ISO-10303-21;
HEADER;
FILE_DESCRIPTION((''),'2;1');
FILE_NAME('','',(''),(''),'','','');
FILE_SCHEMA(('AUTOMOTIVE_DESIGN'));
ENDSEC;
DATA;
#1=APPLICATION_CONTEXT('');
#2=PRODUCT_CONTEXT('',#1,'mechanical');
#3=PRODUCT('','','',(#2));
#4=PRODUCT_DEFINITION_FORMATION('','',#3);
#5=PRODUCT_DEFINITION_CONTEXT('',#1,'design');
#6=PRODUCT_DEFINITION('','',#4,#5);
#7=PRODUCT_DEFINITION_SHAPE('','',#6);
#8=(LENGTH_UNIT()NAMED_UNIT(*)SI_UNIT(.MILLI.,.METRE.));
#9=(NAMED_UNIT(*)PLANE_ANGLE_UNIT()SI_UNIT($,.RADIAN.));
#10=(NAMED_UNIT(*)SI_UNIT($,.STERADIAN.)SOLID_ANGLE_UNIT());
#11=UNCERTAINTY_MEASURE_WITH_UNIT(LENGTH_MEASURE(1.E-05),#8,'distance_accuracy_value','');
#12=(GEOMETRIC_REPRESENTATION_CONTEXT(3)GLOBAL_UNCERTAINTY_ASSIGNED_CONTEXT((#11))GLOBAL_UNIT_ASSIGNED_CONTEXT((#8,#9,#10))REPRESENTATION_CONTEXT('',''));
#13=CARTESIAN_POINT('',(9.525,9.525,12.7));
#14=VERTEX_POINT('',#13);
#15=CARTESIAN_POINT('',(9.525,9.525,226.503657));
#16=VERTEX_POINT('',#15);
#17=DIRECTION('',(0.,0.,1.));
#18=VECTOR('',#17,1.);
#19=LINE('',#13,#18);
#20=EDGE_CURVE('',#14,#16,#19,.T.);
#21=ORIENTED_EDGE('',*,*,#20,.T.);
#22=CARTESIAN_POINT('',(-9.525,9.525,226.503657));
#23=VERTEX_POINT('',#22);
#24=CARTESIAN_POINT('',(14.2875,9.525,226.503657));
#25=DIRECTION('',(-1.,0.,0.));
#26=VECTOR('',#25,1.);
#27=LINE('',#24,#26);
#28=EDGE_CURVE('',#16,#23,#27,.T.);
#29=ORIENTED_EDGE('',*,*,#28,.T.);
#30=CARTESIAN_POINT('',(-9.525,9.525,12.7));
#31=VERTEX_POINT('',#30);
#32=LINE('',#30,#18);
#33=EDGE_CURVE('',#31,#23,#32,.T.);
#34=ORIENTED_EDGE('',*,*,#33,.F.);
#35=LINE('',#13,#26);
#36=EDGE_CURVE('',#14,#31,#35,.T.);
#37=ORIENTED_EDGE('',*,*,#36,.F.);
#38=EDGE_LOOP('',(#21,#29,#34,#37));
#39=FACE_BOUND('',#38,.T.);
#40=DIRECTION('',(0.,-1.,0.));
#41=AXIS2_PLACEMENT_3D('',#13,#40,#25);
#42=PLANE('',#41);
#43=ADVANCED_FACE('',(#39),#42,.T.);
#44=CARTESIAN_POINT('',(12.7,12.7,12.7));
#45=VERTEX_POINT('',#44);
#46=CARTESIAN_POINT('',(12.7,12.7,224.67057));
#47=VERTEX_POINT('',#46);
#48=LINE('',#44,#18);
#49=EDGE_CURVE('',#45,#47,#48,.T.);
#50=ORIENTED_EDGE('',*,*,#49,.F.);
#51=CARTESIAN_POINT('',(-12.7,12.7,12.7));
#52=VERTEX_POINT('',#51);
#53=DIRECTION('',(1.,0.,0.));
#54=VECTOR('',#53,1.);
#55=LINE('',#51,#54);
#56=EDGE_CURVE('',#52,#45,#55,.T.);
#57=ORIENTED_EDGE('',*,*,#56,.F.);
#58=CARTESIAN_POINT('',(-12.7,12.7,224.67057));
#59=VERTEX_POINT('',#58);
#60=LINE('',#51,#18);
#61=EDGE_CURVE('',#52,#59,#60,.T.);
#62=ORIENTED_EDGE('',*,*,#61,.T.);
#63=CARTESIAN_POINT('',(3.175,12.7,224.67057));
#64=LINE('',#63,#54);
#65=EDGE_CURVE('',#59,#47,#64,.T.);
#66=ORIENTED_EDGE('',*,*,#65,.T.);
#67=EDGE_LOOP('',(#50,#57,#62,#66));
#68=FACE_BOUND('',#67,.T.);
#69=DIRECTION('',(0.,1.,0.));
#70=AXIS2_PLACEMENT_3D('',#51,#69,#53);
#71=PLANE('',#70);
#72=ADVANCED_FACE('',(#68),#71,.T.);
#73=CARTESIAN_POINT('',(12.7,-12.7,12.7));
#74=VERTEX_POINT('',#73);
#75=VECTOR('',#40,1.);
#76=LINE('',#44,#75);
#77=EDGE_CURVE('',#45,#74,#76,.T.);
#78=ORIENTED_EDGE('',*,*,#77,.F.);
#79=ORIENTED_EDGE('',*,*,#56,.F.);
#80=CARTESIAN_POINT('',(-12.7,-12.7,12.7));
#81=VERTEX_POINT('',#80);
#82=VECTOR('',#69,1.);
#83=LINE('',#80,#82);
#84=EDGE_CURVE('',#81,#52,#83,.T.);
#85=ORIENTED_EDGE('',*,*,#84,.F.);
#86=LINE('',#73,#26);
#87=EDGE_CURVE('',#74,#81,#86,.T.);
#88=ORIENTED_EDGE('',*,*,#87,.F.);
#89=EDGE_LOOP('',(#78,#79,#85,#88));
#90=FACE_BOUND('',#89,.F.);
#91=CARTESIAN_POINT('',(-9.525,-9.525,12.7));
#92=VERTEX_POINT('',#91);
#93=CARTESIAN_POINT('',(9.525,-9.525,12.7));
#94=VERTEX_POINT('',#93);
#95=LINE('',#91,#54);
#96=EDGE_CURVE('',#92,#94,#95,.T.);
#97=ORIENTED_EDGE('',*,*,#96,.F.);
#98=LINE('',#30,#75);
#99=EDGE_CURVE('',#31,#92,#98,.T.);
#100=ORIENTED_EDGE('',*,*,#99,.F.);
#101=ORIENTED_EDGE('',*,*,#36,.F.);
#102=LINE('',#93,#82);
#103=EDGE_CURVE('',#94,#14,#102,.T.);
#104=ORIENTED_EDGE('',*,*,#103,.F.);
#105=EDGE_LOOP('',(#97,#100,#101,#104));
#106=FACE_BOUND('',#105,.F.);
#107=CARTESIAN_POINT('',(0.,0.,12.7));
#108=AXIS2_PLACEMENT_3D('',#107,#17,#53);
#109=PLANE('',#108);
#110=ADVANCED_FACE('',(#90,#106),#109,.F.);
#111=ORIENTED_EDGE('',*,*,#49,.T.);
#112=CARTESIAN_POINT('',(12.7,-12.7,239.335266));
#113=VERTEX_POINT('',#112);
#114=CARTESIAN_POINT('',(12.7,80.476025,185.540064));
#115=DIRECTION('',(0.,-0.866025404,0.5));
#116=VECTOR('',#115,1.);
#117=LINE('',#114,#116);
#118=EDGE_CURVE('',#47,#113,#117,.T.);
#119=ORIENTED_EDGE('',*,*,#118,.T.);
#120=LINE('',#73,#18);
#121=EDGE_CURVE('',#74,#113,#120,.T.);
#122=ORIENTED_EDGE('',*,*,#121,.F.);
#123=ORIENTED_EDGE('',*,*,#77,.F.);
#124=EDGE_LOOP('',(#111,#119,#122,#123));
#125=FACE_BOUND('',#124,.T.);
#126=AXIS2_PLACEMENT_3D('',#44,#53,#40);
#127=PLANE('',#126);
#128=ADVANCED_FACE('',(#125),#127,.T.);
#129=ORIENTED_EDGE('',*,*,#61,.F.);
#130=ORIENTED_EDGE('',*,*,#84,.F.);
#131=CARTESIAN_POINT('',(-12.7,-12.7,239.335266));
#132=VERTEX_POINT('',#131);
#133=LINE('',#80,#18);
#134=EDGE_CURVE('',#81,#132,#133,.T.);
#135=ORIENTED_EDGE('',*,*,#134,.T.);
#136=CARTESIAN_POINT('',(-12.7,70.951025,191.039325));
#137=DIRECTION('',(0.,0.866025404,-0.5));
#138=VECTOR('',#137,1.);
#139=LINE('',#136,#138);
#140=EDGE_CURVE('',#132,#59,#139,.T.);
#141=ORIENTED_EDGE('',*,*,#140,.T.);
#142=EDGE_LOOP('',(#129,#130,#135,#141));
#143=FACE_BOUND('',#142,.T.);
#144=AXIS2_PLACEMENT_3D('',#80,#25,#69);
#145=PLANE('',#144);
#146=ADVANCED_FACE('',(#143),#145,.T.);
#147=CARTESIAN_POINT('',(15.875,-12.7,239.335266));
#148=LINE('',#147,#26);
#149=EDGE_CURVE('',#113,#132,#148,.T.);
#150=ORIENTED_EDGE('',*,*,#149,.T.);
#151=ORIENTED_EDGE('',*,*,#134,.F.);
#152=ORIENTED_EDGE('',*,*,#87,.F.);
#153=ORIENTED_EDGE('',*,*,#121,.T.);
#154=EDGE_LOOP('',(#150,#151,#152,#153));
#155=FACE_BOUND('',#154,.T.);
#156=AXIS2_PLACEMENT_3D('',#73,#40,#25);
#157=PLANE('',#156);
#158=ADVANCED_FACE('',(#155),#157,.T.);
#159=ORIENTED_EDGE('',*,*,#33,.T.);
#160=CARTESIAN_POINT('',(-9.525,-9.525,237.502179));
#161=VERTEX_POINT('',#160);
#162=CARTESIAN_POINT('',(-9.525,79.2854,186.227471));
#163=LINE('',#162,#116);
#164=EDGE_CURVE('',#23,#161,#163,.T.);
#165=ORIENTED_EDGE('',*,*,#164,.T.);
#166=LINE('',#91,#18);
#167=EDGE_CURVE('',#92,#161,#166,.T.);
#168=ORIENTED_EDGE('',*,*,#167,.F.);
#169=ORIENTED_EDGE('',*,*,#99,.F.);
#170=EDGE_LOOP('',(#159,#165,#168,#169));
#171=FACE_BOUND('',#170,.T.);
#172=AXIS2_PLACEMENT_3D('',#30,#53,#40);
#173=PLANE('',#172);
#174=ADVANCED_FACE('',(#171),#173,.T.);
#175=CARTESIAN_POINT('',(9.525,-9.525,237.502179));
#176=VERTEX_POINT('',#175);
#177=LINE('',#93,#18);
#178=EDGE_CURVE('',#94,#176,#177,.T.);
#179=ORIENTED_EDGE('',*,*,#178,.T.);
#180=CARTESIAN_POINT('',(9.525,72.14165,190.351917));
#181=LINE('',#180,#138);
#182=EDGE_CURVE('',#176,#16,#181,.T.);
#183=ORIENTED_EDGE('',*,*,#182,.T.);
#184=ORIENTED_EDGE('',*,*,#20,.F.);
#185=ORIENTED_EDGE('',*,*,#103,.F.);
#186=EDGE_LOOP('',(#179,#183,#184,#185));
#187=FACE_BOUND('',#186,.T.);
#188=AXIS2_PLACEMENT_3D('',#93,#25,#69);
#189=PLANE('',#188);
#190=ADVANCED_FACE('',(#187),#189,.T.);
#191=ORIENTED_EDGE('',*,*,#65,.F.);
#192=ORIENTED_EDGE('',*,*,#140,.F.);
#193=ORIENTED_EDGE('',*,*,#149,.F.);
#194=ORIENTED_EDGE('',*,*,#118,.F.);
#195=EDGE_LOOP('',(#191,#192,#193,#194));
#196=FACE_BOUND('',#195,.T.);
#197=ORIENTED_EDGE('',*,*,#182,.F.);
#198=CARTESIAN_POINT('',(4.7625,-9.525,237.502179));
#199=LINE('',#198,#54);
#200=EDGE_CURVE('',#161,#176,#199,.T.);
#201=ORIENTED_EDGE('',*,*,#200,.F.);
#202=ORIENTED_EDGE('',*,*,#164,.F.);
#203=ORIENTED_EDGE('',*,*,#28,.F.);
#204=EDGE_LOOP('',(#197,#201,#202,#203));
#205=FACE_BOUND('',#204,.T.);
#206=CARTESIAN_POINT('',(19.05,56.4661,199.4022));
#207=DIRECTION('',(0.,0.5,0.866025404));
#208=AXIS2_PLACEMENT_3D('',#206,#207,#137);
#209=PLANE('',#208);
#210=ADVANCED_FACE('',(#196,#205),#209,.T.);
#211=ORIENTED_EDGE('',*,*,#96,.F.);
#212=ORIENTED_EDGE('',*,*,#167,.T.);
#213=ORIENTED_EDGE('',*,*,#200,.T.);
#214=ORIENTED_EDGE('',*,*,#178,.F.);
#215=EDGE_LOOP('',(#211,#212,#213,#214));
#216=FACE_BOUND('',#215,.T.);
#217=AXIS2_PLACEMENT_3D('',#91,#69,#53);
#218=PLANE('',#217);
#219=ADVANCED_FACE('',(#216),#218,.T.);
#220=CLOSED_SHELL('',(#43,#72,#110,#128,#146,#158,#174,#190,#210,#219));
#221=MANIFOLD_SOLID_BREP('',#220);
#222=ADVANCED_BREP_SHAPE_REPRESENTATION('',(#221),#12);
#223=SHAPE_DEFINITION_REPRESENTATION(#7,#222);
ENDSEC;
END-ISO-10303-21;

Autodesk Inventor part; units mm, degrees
ref_plane "Start Plane" through (0, 0, 12.7) normal (0, 0, 1) x (1, 0, 0)
ref_plane "End Plane" through (0, 0, 239.3353) normal (0, 0, 1) x (1, 0, 0)
sketch "Sketch" plane through (0, 0, 0) normal (0, 0, 1) x (1, 0, 0)
  line L0 (-12.7, 12.7) -> (12.7, 12.7)
  line L1 (12.7, 12.7) -> (12.7, -12.7)
  line L2 (12.7, -12.7) -> (-12.7, -12.7)
  line L3 (-12.7, -12.7) -> (-12.7, 12.7)
  line L4 (9.525, 9.525) -> (-9.525, 9.525)
  line L5 (-9.525, 9.525) -> (-9.525, -9.525)
  line L6 (-9.525, -9.525) -> (9.525, -9.525)
  line L7 (9.525, -9.525) -> (9.525, 9.525)
  point P0 (0, 0)
  point P1 (0, 12.7)
  point P2 (-12.7, 0)
  dimension "width" = 25.4
  dimension "d1" = 3.175
extrude "Body" add sketch "Sketch" along normal up to surface (226.6353 mm away) from surface at 12.7
sketch "Sketch4" plane through (0, 0, 0) normal (0, 0, 1) x (1, 0, 0)
  line L0 (0, 0) -> (10, 0)
ref_plane "Work Plane4" through (0, 0, 0) normal (0, -1, 0) x (1, 0, 0)
sketch "Sketch5" plane through (0, 0, 0) normal (0, -1, 0) x (1, 0, 0)
  line L0 (-2, 12.7) -> (12, 12.7)
  line L1 (-2, 239.3353) -> (12, 239.3353)
  dimension "d9" = 226.6353
ref_plane "Work Plane5" through (19.05, 56.4661, 199.4022) normal (0, 0.5, 0.866) x (1, 0, 0)
split "Split1" plane through (19.05, 56.4661, 199.4022) removes the side toward (0, 0.5, 0.866)
ref_plane "Work Plane6" through (0, 12.7, 12.7) normal (0, 0, -1) x (-1, 0, 0)
split "Split2" plane through (0, 12.7, 12.7) removes the side toward (0, 0, -1)
equation "\"G_OFFSET_START\" = -12.7"
equation "\"G_OFFSET_END\" = -14.6647"
equation "\"d4\" = -G_OFFSET_START"
equation "\"d5\" = length + G_OFFSET_END"
equation "\"G_L\" = 254"
equation "\"length\" = 254"
properties part number "Square Tube Profile" material "Aluminum-6061"
